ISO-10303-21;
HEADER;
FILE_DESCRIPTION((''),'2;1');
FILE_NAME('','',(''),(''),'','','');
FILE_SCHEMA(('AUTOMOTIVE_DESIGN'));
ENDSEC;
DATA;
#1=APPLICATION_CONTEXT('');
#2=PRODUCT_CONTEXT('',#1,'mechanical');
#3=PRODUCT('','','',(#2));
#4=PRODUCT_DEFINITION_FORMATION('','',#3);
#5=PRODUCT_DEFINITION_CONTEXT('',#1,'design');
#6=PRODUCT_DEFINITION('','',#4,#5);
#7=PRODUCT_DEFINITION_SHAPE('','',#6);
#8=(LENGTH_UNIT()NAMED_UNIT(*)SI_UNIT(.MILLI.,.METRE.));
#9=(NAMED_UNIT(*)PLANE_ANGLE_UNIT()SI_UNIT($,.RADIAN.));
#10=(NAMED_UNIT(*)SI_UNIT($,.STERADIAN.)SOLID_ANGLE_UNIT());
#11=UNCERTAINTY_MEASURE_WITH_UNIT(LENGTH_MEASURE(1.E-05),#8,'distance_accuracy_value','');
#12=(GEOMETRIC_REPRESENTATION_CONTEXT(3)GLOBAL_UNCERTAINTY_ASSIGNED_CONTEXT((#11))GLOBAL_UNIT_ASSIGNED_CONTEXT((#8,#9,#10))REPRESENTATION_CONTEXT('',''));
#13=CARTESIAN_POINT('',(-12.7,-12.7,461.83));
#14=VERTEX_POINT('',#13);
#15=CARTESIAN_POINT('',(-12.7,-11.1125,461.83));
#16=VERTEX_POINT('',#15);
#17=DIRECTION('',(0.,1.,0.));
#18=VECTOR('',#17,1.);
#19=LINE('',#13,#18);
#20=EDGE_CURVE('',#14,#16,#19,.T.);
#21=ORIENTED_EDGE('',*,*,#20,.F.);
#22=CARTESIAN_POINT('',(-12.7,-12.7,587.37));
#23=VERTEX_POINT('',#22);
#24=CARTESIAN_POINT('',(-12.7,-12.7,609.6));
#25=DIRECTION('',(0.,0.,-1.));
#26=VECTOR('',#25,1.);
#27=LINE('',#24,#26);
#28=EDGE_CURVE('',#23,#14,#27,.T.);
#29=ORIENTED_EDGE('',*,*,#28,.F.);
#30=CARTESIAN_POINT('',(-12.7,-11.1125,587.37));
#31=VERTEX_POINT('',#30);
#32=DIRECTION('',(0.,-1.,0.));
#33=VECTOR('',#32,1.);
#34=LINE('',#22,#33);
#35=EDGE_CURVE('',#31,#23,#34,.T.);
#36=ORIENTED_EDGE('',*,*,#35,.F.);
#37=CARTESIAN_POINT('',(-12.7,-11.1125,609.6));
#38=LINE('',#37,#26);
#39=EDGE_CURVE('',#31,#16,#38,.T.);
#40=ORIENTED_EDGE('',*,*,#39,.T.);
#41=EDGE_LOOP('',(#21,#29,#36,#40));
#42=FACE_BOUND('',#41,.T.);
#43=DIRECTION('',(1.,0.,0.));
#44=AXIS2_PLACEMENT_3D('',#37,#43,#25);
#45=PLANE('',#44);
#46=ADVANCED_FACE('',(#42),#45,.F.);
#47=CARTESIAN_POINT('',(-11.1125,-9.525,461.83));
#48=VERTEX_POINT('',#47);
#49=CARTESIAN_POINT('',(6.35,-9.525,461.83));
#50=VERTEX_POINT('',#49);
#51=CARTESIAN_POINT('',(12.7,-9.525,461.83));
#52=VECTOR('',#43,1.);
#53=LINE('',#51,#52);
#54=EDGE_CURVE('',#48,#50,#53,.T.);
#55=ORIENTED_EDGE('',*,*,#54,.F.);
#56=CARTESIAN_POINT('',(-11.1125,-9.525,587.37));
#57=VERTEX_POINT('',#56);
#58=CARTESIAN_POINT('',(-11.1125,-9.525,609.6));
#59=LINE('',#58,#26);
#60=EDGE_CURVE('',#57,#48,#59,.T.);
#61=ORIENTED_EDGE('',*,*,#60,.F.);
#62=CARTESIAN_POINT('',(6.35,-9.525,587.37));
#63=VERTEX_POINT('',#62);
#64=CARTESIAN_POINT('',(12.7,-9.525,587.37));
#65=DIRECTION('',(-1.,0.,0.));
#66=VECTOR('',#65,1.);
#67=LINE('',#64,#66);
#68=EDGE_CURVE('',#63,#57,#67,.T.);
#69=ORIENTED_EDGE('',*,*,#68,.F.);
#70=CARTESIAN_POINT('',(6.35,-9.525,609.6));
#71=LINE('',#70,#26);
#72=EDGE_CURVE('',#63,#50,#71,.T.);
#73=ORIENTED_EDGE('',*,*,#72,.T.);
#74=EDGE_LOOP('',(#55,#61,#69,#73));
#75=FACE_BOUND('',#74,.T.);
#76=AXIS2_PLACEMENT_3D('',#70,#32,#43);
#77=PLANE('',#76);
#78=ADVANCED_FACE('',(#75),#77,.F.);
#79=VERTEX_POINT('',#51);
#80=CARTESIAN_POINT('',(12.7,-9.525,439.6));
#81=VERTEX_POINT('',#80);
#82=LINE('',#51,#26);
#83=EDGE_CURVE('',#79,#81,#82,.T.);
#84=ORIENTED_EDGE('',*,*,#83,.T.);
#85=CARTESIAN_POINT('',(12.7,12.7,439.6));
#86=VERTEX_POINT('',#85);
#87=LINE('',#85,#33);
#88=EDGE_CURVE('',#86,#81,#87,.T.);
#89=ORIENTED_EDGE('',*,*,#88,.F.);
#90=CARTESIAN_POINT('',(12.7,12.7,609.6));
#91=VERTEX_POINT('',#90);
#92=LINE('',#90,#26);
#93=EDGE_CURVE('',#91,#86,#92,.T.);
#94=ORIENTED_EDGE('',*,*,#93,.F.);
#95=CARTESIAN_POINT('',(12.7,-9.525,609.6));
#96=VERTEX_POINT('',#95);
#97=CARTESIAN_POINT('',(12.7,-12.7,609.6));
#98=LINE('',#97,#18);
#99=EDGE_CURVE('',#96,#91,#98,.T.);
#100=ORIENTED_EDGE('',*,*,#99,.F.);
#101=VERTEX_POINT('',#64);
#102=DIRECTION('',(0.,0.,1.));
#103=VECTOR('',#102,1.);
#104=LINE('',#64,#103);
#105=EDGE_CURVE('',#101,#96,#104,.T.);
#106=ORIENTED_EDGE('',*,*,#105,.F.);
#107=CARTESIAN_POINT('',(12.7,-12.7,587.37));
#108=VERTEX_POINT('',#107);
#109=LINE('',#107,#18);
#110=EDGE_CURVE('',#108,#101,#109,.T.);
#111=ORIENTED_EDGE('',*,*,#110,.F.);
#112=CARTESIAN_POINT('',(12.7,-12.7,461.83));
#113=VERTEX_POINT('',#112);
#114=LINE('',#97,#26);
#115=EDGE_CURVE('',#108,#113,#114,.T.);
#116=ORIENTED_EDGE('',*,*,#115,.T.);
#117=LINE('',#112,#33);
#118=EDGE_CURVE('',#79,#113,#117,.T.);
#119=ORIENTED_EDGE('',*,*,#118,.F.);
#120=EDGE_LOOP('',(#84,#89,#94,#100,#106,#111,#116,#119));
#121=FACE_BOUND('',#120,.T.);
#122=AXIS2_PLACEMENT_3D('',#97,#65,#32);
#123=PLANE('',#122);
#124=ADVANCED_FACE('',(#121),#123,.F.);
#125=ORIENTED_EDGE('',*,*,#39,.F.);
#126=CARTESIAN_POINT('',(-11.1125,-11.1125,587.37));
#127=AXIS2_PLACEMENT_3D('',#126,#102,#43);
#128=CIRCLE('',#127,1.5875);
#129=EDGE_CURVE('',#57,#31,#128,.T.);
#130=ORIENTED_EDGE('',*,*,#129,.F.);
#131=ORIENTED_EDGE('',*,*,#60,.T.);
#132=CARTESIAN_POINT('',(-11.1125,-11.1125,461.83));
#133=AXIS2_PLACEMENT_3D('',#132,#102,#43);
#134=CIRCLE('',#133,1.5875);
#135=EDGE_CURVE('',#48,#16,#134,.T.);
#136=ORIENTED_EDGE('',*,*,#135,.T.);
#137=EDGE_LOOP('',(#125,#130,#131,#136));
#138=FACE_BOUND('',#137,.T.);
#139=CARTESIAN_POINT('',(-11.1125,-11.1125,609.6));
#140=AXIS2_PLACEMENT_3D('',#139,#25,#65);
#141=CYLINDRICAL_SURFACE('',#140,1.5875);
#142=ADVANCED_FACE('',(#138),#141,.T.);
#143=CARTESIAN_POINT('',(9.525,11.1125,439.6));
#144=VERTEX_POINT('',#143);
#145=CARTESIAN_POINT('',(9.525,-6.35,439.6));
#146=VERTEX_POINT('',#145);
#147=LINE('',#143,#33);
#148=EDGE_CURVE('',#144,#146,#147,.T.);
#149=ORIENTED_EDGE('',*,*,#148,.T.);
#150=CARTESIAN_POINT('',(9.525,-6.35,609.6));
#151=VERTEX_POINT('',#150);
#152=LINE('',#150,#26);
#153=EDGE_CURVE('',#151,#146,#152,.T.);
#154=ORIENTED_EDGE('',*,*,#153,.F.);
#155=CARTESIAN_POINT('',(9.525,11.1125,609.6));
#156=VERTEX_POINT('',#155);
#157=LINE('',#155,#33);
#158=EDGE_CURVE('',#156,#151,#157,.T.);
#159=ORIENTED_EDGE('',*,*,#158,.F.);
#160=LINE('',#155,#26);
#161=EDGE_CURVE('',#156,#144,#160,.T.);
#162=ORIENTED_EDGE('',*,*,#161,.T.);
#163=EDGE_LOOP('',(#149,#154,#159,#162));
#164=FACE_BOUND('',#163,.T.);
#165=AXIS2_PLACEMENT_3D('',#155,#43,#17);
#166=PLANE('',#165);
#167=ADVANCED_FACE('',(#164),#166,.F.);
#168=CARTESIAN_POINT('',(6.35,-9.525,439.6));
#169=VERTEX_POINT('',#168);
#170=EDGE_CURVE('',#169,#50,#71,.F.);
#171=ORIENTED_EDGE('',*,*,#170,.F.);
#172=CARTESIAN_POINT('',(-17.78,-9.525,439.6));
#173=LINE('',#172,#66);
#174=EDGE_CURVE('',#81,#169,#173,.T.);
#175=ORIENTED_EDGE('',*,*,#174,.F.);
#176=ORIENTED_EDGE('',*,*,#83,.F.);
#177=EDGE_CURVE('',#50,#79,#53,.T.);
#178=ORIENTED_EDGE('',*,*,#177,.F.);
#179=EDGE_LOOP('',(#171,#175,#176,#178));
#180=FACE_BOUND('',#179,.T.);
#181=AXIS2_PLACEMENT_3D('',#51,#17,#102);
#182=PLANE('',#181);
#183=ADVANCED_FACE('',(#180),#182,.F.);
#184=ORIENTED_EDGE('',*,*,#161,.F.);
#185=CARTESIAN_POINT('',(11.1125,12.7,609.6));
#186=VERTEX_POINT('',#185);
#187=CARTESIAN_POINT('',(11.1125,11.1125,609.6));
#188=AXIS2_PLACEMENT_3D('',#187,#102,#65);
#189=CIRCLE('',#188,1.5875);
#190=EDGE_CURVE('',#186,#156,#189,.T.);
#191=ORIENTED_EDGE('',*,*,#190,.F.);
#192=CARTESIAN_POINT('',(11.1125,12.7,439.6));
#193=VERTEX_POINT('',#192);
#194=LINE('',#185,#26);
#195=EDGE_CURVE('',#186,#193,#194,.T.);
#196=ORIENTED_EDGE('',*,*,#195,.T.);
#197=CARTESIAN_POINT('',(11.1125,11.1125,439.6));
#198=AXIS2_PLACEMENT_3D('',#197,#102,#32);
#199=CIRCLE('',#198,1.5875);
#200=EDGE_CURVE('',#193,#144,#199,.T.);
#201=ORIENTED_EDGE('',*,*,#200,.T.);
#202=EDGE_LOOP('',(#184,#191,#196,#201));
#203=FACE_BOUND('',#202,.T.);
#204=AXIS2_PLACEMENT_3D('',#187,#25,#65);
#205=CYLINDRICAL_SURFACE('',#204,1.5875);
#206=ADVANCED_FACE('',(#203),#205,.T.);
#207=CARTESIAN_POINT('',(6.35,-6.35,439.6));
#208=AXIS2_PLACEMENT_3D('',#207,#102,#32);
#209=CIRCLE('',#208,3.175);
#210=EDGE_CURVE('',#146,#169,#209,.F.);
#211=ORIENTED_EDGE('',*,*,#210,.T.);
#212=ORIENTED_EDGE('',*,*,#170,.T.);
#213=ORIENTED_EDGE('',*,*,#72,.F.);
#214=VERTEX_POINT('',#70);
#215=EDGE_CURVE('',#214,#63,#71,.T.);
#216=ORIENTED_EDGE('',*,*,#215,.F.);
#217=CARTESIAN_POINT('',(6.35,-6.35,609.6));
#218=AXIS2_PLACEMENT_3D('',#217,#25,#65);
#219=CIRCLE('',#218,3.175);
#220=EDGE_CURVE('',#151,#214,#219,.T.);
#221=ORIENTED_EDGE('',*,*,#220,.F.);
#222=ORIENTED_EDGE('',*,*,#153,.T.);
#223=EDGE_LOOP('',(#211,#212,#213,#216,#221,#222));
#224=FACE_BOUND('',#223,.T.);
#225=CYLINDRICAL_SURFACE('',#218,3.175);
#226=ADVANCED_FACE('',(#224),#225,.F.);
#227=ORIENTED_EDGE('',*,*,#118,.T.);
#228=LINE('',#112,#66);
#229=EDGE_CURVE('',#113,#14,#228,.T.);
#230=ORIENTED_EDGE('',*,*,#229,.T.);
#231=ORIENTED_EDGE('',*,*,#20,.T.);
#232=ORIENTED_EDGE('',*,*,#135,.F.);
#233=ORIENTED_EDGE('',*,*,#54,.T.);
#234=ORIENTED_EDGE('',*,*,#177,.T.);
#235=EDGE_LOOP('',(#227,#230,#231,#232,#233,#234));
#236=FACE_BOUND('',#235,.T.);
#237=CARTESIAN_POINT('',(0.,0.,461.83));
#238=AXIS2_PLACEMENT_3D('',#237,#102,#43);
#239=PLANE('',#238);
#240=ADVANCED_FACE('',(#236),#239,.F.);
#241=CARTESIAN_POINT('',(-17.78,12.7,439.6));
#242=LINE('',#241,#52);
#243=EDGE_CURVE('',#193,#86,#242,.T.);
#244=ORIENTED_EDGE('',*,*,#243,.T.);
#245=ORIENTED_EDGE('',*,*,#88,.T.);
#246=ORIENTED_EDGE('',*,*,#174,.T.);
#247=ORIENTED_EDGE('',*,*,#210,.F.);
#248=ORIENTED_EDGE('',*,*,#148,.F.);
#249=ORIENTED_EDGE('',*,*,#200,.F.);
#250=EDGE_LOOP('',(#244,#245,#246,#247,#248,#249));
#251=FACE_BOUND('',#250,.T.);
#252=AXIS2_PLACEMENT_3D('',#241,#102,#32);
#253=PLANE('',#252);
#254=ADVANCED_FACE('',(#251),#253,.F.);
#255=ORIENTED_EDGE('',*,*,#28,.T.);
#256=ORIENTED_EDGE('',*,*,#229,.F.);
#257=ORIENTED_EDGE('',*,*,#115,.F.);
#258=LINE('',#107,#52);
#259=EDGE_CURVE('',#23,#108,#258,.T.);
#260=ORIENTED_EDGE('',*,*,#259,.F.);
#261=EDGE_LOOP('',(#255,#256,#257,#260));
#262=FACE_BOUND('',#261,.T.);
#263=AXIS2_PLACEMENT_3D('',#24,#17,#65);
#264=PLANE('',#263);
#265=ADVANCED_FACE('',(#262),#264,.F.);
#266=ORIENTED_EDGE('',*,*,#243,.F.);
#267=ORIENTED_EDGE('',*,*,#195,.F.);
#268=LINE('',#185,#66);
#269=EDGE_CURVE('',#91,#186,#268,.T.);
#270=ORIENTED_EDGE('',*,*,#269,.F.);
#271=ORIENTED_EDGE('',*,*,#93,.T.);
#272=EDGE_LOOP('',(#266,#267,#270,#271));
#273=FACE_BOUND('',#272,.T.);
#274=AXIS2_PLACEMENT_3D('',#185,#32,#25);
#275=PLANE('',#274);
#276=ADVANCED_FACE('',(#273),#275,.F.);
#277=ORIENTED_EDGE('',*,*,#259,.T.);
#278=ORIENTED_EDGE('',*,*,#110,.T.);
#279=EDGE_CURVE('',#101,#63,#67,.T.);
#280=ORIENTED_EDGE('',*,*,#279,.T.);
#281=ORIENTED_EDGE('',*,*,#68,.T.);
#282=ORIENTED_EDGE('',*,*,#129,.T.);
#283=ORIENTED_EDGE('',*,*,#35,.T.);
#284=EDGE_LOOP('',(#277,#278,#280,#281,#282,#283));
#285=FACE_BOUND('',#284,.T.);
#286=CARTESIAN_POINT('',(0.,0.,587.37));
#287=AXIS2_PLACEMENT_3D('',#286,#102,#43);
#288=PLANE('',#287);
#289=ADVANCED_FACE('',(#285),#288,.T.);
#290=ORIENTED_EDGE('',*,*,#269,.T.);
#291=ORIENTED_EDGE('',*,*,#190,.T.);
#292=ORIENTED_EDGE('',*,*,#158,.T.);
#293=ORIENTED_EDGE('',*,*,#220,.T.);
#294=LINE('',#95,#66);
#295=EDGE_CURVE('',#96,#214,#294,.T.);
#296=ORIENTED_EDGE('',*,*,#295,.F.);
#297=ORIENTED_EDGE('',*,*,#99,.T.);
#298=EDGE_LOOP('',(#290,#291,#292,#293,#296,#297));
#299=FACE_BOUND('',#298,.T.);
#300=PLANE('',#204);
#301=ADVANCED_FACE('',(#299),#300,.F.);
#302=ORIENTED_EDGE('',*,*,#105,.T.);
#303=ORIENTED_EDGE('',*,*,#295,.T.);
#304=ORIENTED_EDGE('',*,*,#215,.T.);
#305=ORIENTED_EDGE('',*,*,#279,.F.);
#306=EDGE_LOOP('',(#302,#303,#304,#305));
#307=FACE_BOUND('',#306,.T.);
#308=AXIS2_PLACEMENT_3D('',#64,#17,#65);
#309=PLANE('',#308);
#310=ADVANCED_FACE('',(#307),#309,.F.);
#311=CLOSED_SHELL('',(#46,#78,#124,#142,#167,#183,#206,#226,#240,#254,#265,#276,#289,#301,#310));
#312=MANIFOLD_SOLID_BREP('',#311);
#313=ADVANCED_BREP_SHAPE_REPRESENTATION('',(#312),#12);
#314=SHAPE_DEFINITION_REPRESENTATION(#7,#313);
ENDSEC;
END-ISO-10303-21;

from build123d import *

# Parameters (mm, degrees)
BOSS_EXTRUDE1_DEPTH = 609.6
SKETCH3_W           = 1049.2
SKETCH3_H           = 25.4
CUT_EXTRUDE2_DEPTH  = 30.48
SKETCH6_W           = 25.4
SKETCH6_H           = 3.175
CUT_EXTRUDE4_DEPTH  = 22.23
SKETCH7_W           = 25.4
SKETCH7_H           = 3.175
CUT_EXTRUDE5_DEPTH  = 22.23


with BuildPart() as part:
    # Sketch2 → Boss-Extrude1 (new, symmetric)
    with BuildSketch(Plane.XY):
        with BuildLine():
            Line((-12.7, -12.7), (12.7, -12.7))
            Line((12.7, -12.7), (12.7, 12.7))
            Line((12.7, 12.7), (11.1125, 12.7))
            ThreePointArc((11.1125, 12.7), (9.989967985, 12.235032015), (9.525, 11.1125))
            Line((9.525, 11.1125), (9.525, -6.35))
            ThreePointArc((9.525, -6.35), (8.59506403, -8.59506403), (6.35, -9.525))
            Line((6.35, -9.525), (-11.1125, -9.525))
            ThreePointArc((-11.1125, -9.525), (-12.235032015, -9.989967985), (-12.7, -11.1125))
            Line((-12.7, -11.1125), (-12.7, -12.7))
        make_face()
    extrude(amount=BOSS_EXTRUDE1_DEPTH, both=True)

    # Sketch3 → Cut-Extrude2 (cut)
    with BuildSketch(Plane(origin=(12.7, 0, 0), x_dir=(0, 0, -1), z_dir=(1, 0, 0))):
        with Locations((85, 0)):
            Rectangle(SKETCH3_W, SKETCH3_H)
    extrude(amount=-CUT_EXTRUDE2_DEPTH, mode=Mode.SUBTRACT)

    # Sketch6 → Cut-Extrude4 (cut)
    with BuildSketch(Plane(origin=(0, 0, 439.6), x_dir=(-1, 0, 0), z_dir=(0, 0, -1))):
        with Locations((0, -11.1125)):
            Rectangle(SKETCH6_W, SKETCH6_H)
    extrude(amount=-CUT_EXTRUDE4_DEPTH, mode=Mode.SUBTRACT)

    # Sketch7 → Cut-Extrude5 (cut)
    with BuildSketch(Plane.XY.offset(609.6)):
        with Locations((0, -11.1125)):
            Rectangle(SKETCH7_W, SKETCH7_H)
    extrude(amount=-CUT_EXTRUDE5_DEPTH, mode=Mode.SUBTRACT)


solid = part.part
